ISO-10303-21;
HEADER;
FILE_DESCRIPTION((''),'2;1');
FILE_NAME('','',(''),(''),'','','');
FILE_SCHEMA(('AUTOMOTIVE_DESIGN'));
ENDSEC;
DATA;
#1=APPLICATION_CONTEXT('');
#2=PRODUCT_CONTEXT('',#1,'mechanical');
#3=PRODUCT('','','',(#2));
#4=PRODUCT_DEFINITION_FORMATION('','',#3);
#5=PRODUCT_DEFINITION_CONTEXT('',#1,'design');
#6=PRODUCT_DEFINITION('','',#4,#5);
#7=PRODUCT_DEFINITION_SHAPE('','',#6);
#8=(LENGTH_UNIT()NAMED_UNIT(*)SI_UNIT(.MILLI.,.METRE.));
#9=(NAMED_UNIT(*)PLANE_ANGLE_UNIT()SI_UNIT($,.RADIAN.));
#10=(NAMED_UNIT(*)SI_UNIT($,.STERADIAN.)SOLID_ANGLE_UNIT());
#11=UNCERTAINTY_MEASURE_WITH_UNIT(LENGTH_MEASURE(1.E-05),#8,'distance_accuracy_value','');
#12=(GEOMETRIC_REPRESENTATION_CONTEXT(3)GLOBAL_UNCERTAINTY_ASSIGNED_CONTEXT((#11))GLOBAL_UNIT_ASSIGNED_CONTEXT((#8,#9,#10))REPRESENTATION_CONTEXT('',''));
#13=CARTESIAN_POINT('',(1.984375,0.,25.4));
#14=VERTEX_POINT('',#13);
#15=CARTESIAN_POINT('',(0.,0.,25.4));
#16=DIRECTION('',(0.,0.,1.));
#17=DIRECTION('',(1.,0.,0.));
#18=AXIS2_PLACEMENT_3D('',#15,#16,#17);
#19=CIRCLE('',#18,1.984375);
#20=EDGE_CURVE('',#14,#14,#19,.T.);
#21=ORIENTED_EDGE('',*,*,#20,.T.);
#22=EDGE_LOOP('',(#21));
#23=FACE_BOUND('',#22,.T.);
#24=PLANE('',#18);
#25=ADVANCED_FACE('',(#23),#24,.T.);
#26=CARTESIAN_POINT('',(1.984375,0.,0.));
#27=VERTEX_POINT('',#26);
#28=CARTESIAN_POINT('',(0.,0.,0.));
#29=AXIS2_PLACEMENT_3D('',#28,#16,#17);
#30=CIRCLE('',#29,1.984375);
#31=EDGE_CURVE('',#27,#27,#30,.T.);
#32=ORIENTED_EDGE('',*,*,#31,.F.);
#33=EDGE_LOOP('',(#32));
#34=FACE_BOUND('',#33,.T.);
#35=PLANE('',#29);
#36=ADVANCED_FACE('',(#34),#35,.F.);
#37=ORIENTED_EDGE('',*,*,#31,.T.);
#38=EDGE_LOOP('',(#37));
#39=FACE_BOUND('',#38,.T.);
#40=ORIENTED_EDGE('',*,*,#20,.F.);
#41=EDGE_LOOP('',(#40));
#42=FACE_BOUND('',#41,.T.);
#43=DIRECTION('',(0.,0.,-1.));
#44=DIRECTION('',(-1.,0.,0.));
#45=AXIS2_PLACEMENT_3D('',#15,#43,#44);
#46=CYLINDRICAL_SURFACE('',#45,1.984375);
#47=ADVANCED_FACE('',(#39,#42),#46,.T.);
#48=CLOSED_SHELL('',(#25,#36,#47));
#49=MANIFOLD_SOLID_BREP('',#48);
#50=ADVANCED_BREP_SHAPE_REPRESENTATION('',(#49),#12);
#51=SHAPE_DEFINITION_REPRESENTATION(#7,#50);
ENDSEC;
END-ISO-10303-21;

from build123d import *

# Parameters (mm, degrees)
SKETCH1_R           = 1.984375
BOSS_EXTRUDE1_DEPTH = 25.4


with BuildPart() as part:
    # Sketch1 → Boss-Extrude1 (new body)
    with BuildSketch(Plane.XY):
        Circle(SKETCH1_R)
    extrude(amount=BOSS_EXTRUDE1_DEPTH)


solid = part.part
